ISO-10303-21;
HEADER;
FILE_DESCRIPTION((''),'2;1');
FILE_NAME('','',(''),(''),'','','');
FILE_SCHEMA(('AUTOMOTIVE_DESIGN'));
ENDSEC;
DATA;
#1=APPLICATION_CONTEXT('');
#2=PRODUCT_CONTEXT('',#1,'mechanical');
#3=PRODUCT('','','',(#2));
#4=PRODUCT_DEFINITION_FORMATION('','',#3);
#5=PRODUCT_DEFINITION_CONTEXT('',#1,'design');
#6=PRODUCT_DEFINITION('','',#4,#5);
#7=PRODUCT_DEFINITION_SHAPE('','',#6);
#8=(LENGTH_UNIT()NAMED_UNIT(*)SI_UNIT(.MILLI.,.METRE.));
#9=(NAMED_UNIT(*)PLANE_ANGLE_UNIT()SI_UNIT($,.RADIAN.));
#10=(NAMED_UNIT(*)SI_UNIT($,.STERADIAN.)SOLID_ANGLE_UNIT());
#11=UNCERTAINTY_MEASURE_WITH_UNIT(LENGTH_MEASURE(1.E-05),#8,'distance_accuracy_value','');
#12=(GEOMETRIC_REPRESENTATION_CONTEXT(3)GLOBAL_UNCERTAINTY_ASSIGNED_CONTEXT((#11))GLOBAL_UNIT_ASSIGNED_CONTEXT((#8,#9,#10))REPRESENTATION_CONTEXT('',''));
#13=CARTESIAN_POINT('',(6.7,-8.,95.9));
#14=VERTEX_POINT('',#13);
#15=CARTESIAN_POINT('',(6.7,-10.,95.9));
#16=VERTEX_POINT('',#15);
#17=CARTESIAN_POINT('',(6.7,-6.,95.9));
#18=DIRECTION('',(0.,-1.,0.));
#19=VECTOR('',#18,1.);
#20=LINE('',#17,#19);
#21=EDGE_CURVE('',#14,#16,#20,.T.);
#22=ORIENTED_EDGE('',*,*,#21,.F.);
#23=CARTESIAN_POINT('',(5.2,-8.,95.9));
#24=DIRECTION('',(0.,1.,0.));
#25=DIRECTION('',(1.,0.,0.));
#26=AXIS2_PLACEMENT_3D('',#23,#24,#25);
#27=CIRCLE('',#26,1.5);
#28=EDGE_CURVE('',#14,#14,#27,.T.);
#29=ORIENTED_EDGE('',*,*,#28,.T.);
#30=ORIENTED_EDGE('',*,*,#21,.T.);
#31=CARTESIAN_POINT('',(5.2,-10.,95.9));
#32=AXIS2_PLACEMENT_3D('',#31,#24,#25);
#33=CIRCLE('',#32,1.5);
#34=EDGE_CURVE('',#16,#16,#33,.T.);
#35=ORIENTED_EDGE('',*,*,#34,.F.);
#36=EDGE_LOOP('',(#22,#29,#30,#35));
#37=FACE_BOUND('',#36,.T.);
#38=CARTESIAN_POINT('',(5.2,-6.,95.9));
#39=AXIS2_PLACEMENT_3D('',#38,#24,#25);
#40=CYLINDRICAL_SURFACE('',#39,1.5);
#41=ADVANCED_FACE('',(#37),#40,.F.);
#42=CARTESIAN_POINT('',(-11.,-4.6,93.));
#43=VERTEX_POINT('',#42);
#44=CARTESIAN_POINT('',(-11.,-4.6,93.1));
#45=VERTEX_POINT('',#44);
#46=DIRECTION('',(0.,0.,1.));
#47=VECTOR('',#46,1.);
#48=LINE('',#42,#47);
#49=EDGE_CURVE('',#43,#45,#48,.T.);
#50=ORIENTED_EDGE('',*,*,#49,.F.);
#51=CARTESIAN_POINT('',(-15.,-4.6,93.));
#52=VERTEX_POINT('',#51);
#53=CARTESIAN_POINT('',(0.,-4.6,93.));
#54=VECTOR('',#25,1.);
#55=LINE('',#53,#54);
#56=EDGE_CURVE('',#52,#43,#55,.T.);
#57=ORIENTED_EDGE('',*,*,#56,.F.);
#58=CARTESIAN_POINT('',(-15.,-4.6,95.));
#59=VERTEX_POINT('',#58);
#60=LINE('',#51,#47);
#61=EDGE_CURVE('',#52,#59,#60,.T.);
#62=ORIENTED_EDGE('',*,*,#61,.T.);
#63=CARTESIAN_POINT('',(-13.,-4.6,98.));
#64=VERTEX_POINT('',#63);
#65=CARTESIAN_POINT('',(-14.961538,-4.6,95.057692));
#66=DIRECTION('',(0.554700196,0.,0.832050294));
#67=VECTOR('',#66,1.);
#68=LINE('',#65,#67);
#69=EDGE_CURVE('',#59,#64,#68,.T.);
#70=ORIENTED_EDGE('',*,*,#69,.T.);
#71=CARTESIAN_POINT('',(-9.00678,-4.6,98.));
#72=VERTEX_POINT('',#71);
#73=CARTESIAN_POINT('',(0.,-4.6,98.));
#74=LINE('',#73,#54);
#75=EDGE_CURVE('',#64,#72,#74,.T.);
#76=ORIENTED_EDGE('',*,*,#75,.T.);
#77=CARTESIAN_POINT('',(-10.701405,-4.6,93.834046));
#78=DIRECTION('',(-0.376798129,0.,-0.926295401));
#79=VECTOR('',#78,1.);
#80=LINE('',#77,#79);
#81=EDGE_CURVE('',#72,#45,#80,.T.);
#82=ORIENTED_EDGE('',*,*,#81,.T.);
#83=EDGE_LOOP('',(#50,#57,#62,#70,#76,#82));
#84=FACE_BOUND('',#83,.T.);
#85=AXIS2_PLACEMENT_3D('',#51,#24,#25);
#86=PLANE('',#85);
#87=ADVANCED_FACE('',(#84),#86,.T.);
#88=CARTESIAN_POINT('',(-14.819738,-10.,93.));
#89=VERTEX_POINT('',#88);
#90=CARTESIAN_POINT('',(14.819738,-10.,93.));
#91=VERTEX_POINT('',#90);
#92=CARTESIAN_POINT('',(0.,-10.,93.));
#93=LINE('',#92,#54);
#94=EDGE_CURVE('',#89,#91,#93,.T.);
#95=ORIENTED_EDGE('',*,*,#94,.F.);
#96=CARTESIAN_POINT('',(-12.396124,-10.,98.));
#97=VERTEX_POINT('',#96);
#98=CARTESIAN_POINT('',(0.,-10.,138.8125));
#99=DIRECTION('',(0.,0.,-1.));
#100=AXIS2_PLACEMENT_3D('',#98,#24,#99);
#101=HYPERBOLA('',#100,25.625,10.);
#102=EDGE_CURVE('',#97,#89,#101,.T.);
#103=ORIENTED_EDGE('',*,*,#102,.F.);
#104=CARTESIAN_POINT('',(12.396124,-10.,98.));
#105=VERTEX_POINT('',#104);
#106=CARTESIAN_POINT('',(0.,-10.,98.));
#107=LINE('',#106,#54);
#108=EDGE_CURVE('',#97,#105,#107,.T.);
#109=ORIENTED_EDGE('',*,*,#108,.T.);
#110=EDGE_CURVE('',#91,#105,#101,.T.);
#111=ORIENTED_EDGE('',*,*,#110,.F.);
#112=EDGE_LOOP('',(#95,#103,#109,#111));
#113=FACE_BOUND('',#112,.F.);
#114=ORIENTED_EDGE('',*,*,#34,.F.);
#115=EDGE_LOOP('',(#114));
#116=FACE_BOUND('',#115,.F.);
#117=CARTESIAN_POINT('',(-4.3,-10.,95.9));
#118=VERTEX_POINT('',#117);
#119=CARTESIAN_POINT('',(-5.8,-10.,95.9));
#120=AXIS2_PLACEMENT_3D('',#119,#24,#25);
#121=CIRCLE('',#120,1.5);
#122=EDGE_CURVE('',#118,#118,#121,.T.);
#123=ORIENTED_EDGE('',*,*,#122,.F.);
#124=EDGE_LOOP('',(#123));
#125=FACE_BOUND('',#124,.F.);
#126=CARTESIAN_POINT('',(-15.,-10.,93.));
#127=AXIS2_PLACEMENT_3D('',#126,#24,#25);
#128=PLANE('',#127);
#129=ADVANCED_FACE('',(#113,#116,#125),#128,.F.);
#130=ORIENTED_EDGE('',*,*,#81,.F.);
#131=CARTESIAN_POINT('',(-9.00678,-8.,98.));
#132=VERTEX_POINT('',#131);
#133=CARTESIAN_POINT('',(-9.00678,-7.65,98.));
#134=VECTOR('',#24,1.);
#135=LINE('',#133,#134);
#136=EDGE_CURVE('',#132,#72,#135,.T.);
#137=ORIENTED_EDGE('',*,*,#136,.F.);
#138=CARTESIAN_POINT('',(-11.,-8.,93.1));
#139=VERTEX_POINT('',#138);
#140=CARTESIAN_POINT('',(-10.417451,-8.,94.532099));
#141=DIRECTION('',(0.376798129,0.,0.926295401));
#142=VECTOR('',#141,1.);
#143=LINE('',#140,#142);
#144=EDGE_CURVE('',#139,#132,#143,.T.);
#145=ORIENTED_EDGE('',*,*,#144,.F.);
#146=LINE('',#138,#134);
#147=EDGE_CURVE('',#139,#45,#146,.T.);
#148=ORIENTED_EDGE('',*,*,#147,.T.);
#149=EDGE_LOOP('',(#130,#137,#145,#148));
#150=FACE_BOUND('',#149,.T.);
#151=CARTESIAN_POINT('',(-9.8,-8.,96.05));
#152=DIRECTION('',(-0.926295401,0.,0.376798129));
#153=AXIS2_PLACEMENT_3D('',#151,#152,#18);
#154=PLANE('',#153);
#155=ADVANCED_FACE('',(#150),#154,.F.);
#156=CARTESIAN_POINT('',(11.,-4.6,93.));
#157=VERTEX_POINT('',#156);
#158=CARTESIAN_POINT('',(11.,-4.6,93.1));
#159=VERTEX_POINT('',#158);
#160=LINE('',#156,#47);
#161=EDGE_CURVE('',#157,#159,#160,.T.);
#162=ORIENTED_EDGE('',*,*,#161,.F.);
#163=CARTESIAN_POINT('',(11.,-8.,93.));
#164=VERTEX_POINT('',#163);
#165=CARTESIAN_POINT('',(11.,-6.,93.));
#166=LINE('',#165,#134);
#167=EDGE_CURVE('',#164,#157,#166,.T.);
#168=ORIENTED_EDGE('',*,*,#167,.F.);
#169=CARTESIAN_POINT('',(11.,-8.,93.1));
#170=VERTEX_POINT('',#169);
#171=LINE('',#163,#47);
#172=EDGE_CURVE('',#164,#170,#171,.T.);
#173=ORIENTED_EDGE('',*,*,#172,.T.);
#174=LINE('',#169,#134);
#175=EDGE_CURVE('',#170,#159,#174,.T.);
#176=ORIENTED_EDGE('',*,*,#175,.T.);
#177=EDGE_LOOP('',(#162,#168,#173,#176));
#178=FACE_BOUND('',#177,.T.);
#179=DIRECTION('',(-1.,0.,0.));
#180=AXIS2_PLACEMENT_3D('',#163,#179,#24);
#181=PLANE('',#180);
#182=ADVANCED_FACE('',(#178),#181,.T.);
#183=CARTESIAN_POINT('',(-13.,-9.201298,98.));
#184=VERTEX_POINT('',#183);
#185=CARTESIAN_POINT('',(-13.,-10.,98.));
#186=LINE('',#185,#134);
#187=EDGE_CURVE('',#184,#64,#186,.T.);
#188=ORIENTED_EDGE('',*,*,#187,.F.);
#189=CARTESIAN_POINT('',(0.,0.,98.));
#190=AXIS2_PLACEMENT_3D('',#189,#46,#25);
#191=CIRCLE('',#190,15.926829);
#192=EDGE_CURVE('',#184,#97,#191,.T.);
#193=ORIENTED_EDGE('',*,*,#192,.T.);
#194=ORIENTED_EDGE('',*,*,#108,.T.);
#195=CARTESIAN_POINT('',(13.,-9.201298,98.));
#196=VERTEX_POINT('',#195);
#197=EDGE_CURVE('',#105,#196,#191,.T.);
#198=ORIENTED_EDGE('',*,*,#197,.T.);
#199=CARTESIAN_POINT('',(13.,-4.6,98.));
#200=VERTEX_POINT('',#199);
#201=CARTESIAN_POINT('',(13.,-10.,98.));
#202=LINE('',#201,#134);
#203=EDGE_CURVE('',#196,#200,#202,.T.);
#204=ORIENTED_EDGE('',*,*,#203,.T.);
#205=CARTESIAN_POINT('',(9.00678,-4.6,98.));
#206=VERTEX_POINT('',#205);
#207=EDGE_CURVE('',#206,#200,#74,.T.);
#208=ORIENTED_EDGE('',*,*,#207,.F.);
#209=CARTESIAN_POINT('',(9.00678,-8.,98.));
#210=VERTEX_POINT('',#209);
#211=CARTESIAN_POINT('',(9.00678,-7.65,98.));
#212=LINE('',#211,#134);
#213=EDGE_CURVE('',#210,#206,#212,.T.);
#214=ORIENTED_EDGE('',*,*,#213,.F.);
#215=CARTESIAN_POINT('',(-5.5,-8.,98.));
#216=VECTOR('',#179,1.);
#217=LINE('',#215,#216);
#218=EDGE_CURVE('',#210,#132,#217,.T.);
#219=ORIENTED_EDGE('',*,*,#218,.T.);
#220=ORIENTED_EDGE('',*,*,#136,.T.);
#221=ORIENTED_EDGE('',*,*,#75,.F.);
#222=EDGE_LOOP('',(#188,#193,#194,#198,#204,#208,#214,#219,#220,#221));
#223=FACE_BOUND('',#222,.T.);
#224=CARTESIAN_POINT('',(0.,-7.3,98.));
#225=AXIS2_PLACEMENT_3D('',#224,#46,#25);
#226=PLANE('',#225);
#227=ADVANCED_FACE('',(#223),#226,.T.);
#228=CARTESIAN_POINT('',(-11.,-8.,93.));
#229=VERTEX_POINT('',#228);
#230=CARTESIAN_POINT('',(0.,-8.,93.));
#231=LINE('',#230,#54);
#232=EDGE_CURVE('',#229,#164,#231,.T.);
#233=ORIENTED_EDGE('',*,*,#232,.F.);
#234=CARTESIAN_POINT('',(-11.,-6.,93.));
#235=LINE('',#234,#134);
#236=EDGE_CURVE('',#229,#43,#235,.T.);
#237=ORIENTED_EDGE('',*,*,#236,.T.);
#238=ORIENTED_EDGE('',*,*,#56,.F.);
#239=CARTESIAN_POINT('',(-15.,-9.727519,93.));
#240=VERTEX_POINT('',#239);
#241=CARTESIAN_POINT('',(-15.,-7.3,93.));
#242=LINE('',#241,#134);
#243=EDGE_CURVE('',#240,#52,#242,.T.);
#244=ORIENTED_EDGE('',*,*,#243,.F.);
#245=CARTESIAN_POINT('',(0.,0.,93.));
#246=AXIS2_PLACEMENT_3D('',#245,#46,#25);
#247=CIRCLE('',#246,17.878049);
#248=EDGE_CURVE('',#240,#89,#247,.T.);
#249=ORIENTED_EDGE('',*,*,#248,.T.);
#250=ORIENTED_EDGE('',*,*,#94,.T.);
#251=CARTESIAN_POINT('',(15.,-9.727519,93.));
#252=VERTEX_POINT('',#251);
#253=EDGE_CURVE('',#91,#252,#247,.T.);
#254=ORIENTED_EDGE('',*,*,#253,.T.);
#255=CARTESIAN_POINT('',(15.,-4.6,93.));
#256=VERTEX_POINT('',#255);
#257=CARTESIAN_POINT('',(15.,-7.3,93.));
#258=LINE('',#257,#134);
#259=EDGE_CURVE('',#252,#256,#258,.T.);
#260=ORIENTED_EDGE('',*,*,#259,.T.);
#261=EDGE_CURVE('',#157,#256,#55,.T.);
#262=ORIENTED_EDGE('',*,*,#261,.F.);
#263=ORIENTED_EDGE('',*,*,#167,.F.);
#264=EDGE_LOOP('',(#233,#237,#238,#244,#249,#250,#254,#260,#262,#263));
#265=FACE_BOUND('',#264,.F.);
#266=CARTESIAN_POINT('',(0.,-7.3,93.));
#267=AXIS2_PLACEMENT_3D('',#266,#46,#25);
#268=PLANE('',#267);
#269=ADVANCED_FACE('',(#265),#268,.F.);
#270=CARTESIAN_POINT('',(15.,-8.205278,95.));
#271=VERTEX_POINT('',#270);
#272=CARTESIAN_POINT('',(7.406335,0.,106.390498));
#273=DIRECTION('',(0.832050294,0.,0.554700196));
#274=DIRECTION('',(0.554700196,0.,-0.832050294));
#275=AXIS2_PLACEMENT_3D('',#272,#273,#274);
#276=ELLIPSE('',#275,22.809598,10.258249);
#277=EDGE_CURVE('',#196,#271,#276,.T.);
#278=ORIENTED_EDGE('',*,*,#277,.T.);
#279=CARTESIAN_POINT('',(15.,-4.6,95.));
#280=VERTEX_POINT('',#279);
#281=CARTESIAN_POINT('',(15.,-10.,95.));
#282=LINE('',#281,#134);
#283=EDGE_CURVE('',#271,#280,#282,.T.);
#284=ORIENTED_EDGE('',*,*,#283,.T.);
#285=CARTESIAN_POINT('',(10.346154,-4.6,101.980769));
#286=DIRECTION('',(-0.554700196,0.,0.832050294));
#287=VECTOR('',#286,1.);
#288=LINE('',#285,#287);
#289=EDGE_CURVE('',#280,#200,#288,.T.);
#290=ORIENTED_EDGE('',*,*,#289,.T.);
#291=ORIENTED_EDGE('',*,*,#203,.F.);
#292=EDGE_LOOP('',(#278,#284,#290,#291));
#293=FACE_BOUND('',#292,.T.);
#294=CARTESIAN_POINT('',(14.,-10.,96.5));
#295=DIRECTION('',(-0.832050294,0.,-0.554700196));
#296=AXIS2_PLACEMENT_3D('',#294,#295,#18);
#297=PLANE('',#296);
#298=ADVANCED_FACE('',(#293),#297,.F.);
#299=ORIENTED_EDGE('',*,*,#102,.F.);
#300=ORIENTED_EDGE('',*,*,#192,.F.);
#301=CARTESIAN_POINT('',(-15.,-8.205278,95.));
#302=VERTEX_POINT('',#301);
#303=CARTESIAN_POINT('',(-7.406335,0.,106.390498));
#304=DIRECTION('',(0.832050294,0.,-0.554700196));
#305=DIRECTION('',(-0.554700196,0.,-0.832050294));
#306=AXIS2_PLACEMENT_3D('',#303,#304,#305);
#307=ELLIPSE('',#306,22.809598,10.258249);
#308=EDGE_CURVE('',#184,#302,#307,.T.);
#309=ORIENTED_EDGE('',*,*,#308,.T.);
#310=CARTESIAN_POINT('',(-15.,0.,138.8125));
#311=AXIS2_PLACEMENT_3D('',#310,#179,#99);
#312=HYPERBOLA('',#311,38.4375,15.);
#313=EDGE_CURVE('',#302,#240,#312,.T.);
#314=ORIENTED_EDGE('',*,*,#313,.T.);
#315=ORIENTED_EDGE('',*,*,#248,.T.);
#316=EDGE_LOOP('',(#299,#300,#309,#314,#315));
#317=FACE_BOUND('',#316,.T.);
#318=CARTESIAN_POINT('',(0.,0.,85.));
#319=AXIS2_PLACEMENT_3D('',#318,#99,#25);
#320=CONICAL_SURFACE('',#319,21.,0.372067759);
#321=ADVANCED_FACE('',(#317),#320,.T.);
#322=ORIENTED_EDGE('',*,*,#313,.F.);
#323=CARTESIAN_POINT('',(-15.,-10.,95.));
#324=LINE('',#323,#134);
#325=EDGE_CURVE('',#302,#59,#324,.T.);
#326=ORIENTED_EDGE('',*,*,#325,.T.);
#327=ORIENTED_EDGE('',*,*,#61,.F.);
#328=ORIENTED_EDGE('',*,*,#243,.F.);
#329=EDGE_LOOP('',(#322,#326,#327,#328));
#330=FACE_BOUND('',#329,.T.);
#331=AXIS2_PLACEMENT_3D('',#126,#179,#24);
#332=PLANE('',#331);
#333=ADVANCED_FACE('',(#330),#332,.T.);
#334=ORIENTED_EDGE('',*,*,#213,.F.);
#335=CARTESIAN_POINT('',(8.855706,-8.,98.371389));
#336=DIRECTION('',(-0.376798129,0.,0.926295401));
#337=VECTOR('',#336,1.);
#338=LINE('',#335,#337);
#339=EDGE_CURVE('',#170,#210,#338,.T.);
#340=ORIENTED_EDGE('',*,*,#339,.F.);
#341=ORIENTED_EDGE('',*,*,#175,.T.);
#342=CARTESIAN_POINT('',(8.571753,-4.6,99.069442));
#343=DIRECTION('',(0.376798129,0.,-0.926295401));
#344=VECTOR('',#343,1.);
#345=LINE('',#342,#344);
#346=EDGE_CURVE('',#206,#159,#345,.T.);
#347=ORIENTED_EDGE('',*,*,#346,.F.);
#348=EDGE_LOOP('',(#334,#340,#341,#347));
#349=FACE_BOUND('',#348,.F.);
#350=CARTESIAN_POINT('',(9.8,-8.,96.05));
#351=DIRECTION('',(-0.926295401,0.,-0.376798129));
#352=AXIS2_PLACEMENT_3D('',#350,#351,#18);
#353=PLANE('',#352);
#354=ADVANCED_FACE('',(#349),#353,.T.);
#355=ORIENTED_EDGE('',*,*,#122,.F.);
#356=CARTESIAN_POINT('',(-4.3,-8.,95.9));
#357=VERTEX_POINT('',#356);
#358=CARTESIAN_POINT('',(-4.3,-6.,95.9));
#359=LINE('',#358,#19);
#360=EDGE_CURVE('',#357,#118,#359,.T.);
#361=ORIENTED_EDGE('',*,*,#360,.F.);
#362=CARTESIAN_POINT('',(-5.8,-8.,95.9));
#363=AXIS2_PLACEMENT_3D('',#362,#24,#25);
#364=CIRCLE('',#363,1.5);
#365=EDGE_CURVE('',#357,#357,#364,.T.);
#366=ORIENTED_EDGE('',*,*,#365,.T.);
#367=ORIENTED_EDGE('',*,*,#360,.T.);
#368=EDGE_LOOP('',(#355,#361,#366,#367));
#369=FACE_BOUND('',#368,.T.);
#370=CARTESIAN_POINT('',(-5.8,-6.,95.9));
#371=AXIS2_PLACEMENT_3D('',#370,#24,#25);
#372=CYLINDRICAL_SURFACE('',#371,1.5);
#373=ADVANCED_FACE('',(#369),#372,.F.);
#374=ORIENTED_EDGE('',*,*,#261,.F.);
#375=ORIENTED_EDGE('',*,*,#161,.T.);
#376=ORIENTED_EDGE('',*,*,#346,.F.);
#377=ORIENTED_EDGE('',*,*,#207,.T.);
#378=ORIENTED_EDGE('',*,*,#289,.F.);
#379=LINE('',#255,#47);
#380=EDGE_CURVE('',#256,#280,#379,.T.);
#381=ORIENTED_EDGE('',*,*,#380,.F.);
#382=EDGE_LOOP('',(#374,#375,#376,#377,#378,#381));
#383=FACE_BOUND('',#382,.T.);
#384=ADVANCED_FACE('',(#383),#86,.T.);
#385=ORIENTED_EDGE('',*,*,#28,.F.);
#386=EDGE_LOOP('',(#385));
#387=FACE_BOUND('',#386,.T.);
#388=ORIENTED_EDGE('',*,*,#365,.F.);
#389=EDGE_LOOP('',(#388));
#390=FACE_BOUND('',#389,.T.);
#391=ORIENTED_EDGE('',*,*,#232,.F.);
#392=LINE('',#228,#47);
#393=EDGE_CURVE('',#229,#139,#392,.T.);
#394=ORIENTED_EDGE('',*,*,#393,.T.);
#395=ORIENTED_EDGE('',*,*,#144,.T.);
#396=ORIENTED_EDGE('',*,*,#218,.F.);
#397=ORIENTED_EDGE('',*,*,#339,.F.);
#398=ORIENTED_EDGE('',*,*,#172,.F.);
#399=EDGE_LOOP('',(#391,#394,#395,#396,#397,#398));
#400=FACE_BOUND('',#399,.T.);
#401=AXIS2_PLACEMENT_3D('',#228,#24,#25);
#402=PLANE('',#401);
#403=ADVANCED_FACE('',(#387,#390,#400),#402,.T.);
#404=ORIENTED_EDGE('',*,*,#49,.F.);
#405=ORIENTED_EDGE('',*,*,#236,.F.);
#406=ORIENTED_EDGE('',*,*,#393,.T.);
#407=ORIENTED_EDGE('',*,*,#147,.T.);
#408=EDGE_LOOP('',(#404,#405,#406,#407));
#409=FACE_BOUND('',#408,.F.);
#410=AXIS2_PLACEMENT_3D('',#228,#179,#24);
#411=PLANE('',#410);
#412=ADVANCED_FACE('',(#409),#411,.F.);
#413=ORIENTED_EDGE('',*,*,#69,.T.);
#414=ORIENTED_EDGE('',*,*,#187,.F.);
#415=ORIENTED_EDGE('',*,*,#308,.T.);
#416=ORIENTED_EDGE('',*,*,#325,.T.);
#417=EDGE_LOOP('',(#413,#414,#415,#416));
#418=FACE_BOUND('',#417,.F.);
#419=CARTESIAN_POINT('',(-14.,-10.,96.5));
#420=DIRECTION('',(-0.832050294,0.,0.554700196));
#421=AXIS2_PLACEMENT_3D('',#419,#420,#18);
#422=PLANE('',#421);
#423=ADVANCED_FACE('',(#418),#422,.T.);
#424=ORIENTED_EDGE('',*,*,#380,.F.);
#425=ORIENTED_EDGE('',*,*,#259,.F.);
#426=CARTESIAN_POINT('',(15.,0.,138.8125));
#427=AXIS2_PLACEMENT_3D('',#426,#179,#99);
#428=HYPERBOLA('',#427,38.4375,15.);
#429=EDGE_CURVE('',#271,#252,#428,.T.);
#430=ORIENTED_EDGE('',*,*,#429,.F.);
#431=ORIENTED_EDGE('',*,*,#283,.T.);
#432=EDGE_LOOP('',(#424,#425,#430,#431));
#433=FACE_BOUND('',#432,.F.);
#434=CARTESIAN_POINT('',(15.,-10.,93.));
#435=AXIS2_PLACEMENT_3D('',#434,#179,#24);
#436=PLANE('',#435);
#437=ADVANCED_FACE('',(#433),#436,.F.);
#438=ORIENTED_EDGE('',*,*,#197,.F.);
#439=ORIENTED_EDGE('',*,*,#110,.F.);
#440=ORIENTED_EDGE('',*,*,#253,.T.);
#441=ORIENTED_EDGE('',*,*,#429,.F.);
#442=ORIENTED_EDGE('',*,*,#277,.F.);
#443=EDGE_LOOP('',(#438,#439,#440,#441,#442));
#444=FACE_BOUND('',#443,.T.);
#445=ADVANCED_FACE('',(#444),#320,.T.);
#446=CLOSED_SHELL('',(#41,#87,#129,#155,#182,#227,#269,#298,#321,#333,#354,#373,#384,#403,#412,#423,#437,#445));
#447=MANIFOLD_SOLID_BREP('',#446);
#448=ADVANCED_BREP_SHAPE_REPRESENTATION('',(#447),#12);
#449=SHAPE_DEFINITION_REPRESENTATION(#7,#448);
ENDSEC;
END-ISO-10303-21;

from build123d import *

# Parameters (mm, degrees)
BOX341_W           = 22
BOX341_H           = 4
BOX341_DEPTH       = 6
CHAMFER073_1_SIZE2 = 2.4
CHAMFER073_1_SIZE  = 5.9
CHAMFER073_2_SIZE2 = 2.4
CHAMFER073_2_SIZE  = 5.9
CYLINDER398_R      = 1.5
CYLINDER398_DEPTH  = 5
CYLINDER395_R      = 1.5
CYLINDER395_DEPTH  = 5
BOX342_W           = 30
BOX342_H           = 5.4
BOX342_DEPTH       = 5
CHAMFER074_1_SIZE2 = 2
CHAMFER074_1_SIZE  = 3
CHAMFER074_2_SIZE2 = 2
CHAMFER074_2_SIZE  = 3


with BuildPart() as cone008:
    # Cone007 → Cone007 (revolve)
    with BuildSketch(Plane(origin=(0, 0, 85), x_dir=(1, 0, 0), z_dir=(0, -1, 0))):
        Polygon((0, 0), (21, 0), (5, 41), (0, 41), align=None)
    revolve(axis=Axis((0, 0, 85), (0, 0, 1)))


with BuildPart() as chamfer096:
    # Box341 → Box341 (new body)
    with BuildSketch(Plane(origin=(-11, -8, 93), x_dir=(1, 0, 0), z_dir=(0, 0, 1))):
        with Locations((11, 2)):
            Rectangle(BOX341_W, BOX341_H)
    extrude(amount=BOX341_DEPTH)

    # Chamfer073 1
    chamfer073_1_edges = [chamfer096.edges().sort_by_distance(p)[0] for p in [
        (11, -6, 99),
    ]]
    chamfer073_1_side = chamfer096.faces().sort_by_distance((11, -6, 96))[0]
    chamfer(chamfer073_1_edges, length=CHAMFER073_1_SIZE, length2=CHAMFER073_1_SIZE2, reference=chamfer073_1_side)

    # Chamfer073 2
    chamfer073_2_edges = [chamfer096.edges().sort_by_distance(p)[0] for p in [
        (-11, -6, 99),
    ]]
    chamfer073_2_side = chamfer096.faces().sort_by_distance((-11, -6, 96))[0]
    chamfer(chamfer073_2_edges, length=CHAMFER073_2_SIZE, length2=CHAMFER073_2_SIZE2, reference=chamfer073_2_side)


with BuildPart() as cylinder398:
    # Cylinder398 → Cylinder398 (new body)
    with BuildSketch(Plane(origin=(5.2, -6, 95.9), x_dir=(1, 0, 0), z_dir=(0, -1, 0))):
        Circle(CYLINDER398_R)
    extrude(amount=CYLINDER398_DEPTH)


with BuildPart() as cut_out001:
    # Cylinder395 → Cylinder395 (new body)
    with BuildSketch(Plane(origin=(-5.8, -6, 95.9), x_dir=(1, 0, 0), z_dir=(0, -1, 0))):
        Circle(CYLINDER395_R)
    extrude(amount=CYLINDER395_DEPTH)

    # Compound201: union Cylinder398
    add(cylinder398.part)

    # Fusion087: union Chamfer096
    add(chamfer096.part)


with BuildPart() as support_bmp280:
    # Box342 → Box342 (new body)
    with BuildSketch(Plane(origin=(-15, -10, 93), x_dir=(1, 0, 0), z_dir=(0, 0, 1))):
        with Locations((15, 2.7)):
            Rectangle(BOX342_W, BOX342_H)
    extrude(amount=BOX342_DEPTH)

    # Chamfer074 1
    chamfer074_1_edges = [support_bmp280.edges().sort_by_distance(p)[0] for p in [
        (15, -7.3, 98),
    ]]
    chamfer074_1_side = support_bmp280.faces().sort_by_distance((15, -7.3, 95.5))[0]
    chamfer(chamfer074_1_edges, length=CHAMFER074_1_SIZE, length2=CHAMFER074_1_SIZE2, reference=chamfer074_1_side)

    # Chamfer074 2
    chamfer074_2_edges = [support_bmp280.edges().sort_by_distance(p)[0] for p in [
        (-15, -7.3, 98),
    ]]
    chamfer074_2_side = support_bmp280.faces().sort_by_distance((-15, -7.3, 95.5))[0]
    chamfer(chamfer074_2_edges, length=CHAMFER074_2_SIZE, length2=CHAMFER074_2_SIZE2, reference=chamfer074_2_side)

    # Cut226: cut cut-out001
    add(cut_out001.part, mode=Mode.SUBTRACT)

    # Common007: intersect Cone008
    add(cone008.part, mode=Mode.INTERSECT)


solid = support_bmp280.part
